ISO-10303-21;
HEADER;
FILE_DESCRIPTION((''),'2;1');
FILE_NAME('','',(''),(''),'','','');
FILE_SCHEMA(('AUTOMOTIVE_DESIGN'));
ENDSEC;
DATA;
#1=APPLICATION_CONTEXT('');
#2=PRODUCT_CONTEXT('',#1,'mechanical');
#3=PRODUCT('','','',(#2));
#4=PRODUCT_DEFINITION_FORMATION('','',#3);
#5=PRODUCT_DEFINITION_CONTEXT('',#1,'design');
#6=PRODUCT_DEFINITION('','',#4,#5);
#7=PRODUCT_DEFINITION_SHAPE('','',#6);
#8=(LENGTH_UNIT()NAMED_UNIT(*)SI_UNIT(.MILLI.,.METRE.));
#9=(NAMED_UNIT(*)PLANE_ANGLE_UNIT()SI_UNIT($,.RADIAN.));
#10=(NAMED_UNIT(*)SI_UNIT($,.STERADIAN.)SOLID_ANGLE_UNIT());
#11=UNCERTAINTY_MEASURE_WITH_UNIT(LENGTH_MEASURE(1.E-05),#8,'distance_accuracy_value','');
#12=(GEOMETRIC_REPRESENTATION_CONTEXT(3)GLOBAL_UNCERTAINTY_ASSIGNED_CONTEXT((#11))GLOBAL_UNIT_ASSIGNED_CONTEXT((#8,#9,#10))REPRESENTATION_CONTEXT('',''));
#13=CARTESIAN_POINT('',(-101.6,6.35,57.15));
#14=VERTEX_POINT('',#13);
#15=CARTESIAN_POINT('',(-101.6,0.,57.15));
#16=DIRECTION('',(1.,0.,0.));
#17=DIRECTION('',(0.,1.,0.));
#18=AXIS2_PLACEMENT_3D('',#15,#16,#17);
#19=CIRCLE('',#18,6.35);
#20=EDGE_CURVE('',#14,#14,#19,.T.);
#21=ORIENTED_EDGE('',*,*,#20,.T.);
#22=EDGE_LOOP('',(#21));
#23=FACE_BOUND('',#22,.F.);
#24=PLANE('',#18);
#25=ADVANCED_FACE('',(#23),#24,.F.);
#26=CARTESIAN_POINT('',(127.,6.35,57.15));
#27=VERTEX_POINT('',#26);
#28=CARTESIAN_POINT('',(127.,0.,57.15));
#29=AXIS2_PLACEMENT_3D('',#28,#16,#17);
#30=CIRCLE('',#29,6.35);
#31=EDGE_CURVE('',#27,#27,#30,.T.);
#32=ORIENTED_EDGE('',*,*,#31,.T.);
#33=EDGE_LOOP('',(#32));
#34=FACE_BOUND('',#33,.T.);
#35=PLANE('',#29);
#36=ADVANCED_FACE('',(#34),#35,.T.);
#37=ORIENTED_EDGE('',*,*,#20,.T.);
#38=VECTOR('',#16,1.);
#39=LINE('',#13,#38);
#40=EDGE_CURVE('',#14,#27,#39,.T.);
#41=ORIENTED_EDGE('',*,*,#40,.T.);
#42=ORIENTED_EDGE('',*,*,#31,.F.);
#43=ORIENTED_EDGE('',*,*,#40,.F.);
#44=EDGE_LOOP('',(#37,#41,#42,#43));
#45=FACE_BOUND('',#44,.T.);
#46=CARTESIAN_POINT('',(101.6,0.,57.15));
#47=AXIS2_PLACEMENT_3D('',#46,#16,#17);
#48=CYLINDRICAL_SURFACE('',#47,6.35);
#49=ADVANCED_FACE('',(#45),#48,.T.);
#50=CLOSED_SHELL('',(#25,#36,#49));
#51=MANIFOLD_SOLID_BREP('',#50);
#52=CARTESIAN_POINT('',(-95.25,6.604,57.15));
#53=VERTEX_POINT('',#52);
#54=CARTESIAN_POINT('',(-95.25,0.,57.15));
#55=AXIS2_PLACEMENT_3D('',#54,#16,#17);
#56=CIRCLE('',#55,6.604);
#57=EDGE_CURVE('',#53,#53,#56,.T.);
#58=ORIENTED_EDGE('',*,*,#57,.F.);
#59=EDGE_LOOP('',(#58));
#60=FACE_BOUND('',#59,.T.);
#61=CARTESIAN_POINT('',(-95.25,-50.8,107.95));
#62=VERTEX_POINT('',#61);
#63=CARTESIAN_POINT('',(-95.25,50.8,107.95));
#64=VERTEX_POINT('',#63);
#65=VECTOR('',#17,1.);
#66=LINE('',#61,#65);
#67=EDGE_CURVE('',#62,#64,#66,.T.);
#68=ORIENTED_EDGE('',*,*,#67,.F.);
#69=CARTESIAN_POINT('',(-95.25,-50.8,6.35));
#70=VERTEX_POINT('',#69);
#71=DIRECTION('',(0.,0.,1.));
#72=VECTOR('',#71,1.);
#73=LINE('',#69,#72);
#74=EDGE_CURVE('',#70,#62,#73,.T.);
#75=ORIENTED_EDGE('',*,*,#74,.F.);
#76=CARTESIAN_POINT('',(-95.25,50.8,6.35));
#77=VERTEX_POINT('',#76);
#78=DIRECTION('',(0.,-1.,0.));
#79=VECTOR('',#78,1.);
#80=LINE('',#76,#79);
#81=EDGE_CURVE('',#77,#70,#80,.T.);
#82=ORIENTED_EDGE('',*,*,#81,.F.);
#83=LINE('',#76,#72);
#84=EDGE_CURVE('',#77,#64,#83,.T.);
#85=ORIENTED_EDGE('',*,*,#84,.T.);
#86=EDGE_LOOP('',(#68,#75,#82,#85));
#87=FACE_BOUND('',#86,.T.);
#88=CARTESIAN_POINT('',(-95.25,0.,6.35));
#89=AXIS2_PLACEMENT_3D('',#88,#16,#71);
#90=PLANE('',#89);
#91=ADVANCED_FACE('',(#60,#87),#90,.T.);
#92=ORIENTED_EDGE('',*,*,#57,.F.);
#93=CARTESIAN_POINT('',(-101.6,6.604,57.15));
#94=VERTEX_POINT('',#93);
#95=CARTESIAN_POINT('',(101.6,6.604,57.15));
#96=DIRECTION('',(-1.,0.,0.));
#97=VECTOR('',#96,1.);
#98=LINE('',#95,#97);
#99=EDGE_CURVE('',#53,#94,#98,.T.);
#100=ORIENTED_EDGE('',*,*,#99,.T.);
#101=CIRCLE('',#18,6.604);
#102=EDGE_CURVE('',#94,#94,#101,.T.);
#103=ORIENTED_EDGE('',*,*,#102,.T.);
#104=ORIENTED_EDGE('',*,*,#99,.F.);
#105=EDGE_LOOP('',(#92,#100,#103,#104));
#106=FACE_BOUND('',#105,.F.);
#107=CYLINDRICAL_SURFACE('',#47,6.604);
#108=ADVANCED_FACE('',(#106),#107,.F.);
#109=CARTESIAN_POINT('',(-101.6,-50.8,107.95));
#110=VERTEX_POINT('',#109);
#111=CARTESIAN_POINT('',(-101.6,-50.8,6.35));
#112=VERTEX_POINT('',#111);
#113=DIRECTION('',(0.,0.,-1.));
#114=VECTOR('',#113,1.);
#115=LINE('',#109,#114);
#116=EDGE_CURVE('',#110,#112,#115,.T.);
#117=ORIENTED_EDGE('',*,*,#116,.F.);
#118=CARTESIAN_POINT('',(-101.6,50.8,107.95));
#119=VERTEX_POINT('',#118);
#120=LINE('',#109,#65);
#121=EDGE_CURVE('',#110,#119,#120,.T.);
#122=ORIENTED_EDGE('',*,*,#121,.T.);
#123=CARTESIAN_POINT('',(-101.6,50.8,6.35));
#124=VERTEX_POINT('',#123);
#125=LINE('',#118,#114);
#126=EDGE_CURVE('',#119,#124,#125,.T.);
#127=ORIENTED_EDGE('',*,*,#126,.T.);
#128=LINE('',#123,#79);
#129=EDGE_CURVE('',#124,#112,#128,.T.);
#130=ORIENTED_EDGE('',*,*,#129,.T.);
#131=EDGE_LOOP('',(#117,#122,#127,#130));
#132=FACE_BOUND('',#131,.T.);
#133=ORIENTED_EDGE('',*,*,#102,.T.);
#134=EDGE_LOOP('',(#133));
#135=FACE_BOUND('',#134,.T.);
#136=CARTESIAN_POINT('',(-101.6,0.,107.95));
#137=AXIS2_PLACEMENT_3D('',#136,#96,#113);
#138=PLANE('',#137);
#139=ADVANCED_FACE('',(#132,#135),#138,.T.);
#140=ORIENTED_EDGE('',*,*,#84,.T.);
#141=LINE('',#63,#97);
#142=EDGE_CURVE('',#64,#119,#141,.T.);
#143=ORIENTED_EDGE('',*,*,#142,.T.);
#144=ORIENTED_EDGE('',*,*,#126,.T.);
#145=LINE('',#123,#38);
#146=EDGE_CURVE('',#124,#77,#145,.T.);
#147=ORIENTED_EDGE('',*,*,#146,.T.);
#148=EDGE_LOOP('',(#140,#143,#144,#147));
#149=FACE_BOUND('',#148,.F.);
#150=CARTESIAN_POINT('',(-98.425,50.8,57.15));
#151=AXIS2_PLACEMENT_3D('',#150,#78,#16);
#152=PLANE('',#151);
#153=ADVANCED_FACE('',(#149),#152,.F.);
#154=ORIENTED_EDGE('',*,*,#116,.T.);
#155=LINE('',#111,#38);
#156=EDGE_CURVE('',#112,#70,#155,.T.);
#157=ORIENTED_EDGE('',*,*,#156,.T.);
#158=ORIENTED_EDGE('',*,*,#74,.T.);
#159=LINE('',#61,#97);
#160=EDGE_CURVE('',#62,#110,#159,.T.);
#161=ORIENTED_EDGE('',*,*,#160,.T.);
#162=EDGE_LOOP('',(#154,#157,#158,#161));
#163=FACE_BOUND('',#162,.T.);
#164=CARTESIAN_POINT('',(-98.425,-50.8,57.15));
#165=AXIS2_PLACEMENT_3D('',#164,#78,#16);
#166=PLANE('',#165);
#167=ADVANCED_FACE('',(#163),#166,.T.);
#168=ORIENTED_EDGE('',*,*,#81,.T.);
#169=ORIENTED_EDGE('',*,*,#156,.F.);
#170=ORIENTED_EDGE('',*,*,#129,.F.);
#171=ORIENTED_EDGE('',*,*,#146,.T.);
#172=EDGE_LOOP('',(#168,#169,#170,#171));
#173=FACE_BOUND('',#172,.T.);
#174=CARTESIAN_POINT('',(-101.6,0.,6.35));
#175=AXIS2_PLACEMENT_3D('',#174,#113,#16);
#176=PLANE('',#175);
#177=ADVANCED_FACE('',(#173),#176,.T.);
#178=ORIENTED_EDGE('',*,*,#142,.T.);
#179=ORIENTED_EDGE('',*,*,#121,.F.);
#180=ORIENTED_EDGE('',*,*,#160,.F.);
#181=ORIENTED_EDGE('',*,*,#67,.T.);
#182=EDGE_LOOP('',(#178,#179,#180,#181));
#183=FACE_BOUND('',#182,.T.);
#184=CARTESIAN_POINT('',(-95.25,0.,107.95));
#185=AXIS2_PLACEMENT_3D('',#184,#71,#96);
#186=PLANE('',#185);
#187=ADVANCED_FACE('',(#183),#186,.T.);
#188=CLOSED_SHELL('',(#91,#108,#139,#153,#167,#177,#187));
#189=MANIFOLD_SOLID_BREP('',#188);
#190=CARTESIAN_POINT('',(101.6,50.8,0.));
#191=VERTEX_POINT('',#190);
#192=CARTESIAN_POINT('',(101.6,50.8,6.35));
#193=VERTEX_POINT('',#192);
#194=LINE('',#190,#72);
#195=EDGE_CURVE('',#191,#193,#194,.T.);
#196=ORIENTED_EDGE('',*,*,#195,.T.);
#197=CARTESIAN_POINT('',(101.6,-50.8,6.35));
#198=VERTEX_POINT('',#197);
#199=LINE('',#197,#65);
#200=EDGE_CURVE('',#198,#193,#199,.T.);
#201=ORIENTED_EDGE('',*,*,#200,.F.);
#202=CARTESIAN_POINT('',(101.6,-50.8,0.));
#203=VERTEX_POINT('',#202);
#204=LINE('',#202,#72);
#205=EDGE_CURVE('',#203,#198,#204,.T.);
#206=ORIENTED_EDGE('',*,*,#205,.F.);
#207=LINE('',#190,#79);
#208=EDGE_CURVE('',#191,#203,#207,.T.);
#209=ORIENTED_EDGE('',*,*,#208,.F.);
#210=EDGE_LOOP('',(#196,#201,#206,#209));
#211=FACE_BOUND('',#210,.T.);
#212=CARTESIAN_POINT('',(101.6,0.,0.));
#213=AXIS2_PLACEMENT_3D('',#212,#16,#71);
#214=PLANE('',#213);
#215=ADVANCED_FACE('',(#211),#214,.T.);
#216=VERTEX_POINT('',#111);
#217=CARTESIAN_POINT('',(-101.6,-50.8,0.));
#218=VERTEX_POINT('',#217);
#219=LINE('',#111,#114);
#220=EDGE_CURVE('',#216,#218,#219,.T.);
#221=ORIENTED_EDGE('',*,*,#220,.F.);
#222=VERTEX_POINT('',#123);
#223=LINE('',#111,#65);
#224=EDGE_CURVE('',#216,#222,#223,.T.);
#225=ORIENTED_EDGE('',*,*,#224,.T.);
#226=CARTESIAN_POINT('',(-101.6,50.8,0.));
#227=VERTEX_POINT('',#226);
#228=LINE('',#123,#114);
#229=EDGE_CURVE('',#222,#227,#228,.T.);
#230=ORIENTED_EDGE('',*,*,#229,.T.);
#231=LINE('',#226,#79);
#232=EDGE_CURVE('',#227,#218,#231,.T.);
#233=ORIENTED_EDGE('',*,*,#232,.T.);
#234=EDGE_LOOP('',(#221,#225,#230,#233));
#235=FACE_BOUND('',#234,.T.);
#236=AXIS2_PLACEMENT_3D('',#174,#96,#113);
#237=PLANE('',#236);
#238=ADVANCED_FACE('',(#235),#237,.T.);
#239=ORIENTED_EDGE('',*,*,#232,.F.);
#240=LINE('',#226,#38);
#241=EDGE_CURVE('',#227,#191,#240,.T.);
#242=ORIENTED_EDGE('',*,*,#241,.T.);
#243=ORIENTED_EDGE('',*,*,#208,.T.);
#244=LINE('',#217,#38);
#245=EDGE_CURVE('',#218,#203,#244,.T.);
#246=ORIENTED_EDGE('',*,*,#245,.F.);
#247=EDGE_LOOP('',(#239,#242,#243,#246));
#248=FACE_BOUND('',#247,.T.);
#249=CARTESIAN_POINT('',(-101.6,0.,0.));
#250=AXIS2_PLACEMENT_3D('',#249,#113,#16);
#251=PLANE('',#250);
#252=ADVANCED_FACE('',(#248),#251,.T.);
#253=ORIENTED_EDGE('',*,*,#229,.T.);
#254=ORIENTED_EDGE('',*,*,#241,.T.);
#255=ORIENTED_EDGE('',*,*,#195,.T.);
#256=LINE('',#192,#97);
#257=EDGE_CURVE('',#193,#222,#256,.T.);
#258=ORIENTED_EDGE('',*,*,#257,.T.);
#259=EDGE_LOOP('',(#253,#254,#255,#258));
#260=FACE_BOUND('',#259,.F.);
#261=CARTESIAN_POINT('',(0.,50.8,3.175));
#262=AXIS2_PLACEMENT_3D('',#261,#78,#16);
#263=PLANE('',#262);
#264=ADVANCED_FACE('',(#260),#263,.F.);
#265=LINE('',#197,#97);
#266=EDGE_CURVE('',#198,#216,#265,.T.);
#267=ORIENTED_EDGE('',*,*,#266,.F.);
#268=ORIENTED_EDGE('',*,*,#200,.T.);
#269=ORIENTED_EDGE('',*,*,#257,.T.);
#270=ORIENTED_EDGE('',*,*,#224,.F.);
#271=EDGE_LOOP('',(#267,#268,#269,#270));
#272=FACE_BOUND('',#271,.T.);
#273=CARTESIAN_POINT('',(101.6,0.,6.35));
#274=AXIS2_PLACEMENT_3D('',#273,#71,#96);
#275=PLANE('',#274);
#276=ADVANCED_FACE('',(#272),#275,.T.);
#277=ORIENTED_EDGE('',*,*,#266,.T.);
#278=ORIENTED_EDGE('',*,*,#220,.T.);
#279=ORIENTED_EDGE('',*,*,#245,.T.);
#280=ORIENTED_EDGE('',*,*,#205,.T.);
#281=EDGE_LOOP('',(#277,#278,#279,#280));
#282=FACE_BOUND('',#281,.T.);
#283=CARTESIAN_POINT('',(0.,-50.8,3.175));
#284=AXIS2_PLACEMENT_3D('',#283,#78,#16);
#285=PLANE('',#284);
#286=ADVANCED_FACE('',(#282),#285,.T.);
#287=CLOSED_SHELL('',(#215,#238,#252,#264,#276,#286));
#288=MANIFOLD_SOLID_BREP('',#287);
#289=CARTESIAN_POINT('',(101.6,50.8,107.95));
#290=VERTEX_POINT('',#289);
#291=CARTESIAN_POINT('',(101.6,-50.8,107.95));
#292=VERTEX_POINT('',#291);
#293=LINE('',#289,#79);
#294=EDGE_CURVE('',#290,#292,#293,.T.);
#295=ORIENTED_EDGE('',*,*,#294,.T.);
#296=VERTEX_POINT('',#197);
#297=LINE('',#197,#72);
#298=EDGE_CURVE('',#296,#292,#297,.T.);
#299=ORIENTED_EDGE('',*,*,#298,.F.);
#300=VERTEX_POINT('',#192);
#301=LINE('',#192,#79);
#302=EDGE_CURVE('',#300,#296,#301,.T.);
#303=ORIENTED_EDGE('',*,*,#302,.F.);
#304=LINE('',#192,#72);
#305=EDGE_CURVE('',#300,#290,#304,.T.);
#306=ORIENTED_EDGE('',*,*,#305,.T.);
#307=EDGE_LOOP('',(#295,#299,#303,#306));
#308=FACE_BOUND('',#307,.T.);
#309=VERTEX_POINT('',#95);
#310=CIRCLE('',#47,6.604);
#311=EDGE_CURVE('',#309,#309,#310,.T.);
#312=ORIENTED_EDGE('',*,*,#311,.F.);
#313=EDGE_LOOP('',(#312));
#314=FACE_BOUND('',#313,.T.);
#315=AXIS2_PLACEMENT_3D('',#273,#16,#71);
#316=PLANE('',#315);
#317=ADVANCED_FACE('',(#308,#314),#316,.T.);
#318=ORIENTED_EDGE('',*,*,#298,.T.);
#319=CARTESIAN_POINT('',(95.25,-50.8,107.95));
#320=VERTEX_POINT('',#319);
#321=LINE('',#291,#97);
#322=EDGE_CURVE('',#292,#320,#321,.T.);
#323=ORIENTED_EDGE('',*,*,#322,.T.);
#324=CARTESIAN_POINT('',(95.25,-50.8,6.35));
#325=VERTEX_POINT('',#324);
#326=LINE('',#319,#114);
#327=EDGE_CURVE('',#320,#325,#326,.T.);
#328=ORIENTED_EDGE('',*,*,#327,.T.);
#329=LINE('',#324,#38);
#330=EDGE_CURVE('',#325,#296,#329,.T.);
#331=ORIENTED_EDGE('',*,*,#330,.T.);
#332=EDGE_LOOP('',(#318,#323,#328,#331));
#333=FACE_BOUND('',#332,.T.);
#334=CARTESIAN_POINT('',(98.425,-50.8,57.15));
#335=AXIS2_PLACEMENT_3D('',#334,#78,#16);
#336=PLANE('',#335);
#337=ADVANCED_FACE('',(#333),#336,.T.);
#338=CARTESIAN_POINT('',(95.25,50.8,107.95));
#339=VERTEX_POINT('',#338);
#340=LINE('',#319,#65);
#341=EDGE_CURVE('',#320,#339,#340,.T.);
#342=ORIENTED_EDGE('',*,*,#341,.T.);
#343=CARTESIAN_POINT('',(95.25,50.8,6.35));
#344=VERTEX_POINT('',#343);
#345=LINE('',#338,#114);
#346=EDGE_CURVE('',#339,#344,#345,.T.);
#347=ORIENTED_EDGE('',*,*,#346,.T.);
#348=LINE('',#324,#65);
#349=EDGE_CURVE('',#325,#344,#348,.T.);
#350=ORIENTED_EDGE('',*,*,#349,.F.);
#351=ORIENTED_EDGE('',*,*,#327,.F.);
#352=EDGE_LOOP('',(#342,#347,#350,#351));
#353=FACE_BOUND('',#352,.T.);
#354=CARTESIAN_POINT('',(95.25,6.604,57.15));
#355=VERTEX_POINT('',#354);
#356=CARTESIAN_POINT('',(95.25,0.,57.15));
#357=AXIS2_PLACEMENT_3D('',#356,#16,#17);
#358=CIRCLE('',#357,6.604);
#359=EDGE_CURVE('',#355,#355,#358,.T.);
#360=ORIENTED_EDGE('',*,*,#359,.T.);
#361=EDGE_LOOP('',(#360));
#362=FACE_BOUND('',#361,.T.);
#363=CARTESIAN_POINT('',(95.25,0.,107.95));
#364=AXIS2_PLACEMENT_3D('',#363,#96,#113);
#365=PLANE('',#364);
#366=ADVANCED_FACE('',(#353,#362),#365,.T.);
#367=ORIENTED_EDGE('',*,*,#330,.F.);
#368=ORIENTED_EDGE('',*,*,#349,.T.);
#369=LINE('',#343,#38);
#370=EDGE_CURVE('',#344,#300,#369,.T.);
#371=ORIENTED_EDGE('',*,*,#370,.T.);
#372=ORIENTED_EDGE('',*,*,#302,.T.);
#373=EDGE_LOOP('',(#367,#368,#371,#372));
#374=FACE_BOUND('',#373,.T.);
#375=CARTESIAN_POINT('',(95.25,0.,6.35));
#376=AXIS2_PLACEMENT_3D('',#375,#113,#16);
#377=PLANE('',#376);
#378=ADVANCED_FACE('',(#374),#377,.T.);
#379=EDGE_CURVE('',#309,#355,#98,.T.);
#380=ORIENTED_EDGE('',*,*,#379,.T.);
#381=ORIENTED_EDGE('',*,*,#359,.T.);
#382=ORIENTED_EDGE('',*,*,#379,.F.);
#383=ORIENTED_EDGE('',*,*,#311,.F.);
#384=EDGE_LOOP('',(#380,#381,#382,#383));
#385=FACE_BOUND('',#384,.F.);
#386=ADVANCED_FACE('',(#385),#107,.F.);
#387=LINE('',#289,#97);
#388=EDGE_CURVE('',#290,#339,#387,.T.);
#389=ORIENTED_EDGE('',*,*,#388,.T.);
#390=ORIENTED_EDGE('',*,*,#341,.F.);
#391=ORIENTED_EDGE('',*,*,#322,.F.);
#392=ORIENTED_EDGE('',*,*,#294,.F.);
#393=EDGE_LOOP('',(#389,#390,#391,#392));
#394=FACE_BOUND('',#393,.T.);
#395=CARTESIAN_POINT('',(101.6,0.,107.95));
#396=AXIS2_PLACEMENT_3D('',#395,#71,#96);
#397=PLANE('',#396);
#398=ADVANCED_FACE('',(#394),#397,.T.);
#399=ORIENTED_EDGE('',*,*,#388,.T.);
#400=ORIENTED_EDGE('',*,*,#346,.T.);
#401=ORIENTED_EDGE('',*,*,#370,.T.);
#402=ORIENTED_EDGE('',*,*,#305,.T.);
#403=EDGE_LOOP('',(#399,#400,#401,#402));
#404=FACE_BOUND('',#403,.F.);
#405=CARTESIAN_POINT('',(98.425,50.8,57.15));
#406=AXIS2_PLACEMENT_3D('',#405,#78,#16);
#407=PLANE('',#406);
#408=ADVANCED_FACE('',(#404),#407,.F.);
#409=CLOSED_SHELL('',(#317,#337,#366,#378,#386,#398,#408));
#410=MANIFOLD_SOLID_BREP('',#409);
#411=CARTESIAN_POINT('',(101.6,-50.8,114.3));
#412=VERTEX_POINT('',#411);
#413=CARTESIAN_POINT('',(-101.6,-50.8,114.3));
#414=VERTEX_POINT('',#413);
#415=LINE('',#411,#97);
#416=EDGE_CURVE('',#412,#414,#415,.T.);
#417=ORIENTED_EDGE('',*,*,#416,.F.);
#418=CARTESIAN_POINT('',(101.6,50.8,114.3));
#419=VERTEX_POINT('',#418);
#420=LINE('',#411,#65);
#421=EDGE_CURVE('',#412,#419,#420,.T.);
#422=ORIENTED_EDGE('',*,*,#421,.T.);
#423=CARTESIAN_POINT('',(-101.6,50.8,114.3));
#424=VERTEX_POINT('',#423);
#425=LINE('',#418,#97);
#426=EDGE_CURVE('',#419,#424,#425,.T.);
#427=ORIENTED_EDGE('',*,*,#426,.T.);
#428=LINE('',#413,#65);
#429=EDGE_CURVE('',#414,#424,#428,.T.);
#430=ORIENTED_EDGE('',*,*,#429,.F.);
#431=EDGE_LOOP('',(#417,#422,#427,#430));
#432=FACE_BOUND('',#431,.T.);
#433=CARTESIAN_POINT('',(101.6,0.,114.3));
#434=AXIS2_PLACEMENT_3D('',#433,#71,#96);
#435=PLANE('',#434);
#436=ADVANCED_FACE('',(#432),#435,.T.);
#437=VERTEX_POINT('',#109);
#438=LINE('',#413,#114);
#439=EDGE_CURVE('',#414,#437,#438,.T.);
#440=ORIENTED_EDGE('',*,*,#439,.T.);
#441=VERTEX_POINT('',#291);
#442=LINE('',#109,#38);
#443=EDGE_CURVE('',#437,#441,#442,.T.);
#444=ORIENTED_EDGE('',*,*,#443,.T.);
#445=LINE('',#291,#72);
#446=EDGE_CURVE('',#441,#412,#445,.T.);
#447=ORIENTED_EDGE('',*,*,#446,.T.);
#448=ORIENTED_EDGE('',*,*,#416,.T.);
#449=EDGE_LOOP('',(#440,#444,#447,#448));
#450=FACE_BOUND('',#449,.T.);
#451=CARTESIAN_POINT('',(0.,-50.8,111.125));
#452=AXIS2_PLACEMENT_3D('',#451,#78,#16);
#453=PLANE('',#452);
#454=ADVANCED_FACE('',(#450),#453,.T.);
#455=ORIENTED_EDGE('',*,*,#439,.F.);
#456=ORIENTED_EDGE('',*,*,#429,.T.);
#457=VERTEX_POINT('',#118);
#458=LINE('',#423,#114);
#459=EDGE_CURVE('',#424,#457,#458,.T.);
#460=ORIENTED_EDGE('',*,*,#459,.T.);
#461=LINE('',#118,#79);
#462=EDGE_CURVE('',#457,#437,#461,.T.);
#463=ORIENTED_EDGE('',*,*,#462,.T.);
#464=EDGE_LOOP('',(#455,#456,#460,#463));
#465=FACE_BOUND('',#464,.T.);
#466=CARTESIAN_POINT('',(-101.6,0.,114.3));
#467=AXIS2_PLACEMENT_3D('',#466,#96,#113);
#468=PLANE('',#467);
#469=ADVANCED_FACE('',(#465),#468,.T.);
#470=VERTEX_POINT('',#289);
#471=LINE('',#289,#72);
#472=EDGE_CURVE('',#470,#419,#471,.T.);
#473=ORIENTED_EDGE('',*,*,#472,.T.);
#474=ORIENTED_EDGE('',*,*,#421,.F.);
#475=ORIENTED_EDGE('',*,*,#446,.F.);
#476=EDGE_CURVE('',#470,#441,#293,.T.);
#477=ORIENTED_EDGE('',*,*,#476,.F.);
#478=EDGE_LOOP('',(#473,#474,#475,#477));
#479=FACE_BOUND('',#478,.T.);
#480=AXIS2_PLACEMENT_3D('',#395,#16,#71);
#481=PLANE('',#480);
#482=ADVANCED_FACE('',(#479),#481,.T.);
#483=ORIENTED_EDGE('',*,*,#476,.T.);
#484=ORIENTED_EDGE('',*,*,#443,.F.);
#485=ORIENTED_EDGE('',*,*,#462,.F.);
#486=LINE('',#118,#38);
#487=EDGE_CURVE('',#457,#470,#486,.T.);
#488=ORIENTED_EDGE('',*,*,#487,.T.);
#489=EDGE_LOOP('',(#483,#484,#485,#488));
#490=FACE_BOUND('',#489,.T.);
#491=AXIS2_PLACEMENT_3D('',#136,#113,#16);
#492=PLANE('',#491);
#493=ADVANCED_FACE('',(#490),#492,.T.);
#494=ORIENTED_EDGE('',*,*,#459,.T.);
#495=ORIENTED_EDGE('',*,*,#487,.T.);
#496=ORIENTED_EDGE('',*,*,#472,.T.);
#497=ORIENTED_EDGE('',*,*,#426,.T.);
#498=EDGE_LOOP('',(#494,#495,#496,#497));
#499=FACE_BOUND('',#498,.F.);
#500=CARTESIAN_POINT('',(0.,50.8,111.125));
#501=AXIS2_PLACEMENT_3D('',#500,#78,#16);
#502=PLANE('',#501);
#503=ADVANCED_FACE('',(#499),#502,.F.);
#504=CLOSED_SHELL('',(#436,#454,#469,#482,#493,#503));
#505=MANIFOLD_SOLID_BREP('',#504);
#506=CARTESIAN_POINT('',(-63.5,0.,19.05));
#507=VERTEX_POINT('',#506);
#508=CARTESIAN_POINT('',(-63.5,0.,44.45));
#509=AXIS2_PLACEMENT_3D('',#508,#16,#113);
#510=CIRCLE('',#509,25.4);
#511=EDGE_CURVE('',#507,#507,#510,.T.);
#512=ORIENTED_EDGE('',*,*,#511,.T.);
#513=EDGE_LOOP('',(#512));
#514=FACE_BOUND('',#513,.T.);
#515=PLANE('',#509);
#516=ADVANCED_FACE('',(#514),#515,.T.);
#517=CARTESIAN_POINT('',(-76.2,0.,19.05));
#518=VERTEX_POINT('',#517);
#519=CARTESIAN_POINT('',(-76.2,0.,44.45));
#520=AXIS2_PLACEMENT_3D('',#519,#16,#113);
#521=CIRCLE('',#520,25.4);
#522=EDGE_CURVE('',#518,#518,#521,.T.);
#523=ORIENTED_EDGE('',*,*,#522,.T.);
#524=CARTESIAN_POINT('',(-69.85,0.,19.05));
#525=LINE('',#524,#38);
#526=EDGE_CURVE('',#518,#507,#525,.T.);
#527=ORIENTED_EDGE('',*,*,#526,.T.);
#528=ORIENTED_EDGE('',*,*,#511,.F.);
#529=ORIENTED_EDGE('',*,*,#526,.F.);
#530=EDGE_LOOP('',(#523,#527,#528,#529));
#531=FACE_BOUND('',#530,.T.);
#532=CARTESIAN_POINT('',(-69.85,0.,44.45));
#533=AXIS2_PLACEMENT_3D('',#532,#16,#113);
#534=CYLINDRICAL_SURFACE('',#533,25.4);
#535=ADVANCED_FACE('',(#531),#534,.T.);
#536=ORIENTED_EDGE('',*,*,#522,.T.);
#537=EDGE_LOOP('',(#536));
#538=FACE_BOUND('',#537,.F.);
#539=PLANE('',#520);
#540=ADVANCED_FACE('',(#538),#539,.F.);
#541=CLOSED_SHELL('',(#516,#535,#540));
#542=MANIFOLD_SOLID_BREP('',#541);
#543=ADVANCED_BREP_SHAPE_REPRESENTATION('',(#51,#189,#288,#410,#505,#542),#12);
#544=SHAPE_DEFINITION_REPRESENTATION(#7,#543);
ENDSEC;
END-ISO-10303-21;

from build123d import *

# Parameters (mm, degrees)
F1_DEPTH      = 50.8
F2_DEPTH      = 50.8
F2_DEPTH_BACK = 50.8
F3_R          = 6.604
F3_R_2        = 6.35
F4_DEPTH      = 203.201
F5_DEPTH      = 25.4
F5_DEPTH_BACK = 203.2
F0_W          = 12.7
F0_H          = 25.4


with BuildPart() as f1:
    # F0 (on Front) → F1 (new body, symmetric)
    with BuildSketch(Plane.XZ):
        Polygon((-101.6, 6.35), (-101.6, 0), (101.6, 0), (101.6, 6.35), (95.25, 6.35), (-95.25, 6.35), align=None)
    extrude(amount=F1_DEPTH, both=True)


with BuildPart() as f1b:
    # F0 (on Front) → F1, piece 2 (new body, symmetric)
    with BuildSketch(Plane.XZ):
        Polygon((-101.6, 114.3), (-101.6, 107.95), (-95.25, 107.95), (95.25, 107.95), (101.6, 107.95), (101.6, 114.3), align=None)
    extrude(amount=F1_DEPTH, both=True)


with BuildPart() as f2:
    # F0 (on Front) → F2 (new body, two sides)
    with BuildSketch(Plane.XZ) as f2_sk:
        Polygon((-101.6, 107.95), (-101.6, 6.35), (-95.25, 6.35), (-95.25, 57.15), (-95.25, 107.95), align=None)
    extrude(amount=F2_DEPTH)
    extrude(f2_sk.sketch, amount=-F2_DEPTH_BACK)


with BuildPart() as f2b:
    # F0 (on Front) → F2, piece 2 (new body, two sides)
    with BuildSketch(Plane.XZ) as f2_2_sk:
        Polygon((95.25, 6.35), (101.6, 6.35), (101.6, 107.95), (95.25, 107.95), (95.25, 57.15), align=None)
    extrude(amount=F2_DEPTH)
    extrude(f2_2_sk.sketch, amount=-F2_DEPTH_BACK)


with BuildPart() as f4_tool:
    # F3 (on face) → F4 (new body, through all)
    with BuildSketch(Plane.YZ.offset(101.6)):
        with Locations((0, 57.15)):
            Circle(F3_R)
        with Locations((0, 57.15)):
            Circle(F3_R_2, mode=Mode.SUBTRACT)
        with Locations((0, 57.15)):
            Circle(F3_R_2)
    extrude(amount=-F4_DEPTH)


with BuildPart() as f2_1:
    add(f2.part)

    # F4: cut by f4_tool
    add(f4_tool.part, mode=Mode.SUBTRACT)


with BuildPart() as f2b_1:
    add(f2b.part)

    # F4: cut by f4_tool
    add(f4_tool.part, mode=Mode.SUBTRACT)


with BuildPart() as f5:
    # F3 (on face) → F5 (new body, two sides)
    with BuildSketch(Plane.YZ.offset(101.6)) as f5_sk:
        with Locations((0, 57.15)):
            Circle(F3_R_2)
    extrude(amount=F5_DEPTH)
    extrude(f5_sk.sketch, amount=-F5_DEPTH_BACK)


with BuildPart() as f6:
    # F0 (on Front) → F6 (revolve)
    with BuildSketch(Plane.XZ):
        with Locations((-69.85, 31.75)):
            Rectangle(F0_W, F0_H)
    revolve(axis=Axis((-69.85, 0, 44.45), (1, 0, 0)))


solid = Compound([f1.part, f1b.part, f2_1.part, f2b_1.part, f5.part, f6.part])
